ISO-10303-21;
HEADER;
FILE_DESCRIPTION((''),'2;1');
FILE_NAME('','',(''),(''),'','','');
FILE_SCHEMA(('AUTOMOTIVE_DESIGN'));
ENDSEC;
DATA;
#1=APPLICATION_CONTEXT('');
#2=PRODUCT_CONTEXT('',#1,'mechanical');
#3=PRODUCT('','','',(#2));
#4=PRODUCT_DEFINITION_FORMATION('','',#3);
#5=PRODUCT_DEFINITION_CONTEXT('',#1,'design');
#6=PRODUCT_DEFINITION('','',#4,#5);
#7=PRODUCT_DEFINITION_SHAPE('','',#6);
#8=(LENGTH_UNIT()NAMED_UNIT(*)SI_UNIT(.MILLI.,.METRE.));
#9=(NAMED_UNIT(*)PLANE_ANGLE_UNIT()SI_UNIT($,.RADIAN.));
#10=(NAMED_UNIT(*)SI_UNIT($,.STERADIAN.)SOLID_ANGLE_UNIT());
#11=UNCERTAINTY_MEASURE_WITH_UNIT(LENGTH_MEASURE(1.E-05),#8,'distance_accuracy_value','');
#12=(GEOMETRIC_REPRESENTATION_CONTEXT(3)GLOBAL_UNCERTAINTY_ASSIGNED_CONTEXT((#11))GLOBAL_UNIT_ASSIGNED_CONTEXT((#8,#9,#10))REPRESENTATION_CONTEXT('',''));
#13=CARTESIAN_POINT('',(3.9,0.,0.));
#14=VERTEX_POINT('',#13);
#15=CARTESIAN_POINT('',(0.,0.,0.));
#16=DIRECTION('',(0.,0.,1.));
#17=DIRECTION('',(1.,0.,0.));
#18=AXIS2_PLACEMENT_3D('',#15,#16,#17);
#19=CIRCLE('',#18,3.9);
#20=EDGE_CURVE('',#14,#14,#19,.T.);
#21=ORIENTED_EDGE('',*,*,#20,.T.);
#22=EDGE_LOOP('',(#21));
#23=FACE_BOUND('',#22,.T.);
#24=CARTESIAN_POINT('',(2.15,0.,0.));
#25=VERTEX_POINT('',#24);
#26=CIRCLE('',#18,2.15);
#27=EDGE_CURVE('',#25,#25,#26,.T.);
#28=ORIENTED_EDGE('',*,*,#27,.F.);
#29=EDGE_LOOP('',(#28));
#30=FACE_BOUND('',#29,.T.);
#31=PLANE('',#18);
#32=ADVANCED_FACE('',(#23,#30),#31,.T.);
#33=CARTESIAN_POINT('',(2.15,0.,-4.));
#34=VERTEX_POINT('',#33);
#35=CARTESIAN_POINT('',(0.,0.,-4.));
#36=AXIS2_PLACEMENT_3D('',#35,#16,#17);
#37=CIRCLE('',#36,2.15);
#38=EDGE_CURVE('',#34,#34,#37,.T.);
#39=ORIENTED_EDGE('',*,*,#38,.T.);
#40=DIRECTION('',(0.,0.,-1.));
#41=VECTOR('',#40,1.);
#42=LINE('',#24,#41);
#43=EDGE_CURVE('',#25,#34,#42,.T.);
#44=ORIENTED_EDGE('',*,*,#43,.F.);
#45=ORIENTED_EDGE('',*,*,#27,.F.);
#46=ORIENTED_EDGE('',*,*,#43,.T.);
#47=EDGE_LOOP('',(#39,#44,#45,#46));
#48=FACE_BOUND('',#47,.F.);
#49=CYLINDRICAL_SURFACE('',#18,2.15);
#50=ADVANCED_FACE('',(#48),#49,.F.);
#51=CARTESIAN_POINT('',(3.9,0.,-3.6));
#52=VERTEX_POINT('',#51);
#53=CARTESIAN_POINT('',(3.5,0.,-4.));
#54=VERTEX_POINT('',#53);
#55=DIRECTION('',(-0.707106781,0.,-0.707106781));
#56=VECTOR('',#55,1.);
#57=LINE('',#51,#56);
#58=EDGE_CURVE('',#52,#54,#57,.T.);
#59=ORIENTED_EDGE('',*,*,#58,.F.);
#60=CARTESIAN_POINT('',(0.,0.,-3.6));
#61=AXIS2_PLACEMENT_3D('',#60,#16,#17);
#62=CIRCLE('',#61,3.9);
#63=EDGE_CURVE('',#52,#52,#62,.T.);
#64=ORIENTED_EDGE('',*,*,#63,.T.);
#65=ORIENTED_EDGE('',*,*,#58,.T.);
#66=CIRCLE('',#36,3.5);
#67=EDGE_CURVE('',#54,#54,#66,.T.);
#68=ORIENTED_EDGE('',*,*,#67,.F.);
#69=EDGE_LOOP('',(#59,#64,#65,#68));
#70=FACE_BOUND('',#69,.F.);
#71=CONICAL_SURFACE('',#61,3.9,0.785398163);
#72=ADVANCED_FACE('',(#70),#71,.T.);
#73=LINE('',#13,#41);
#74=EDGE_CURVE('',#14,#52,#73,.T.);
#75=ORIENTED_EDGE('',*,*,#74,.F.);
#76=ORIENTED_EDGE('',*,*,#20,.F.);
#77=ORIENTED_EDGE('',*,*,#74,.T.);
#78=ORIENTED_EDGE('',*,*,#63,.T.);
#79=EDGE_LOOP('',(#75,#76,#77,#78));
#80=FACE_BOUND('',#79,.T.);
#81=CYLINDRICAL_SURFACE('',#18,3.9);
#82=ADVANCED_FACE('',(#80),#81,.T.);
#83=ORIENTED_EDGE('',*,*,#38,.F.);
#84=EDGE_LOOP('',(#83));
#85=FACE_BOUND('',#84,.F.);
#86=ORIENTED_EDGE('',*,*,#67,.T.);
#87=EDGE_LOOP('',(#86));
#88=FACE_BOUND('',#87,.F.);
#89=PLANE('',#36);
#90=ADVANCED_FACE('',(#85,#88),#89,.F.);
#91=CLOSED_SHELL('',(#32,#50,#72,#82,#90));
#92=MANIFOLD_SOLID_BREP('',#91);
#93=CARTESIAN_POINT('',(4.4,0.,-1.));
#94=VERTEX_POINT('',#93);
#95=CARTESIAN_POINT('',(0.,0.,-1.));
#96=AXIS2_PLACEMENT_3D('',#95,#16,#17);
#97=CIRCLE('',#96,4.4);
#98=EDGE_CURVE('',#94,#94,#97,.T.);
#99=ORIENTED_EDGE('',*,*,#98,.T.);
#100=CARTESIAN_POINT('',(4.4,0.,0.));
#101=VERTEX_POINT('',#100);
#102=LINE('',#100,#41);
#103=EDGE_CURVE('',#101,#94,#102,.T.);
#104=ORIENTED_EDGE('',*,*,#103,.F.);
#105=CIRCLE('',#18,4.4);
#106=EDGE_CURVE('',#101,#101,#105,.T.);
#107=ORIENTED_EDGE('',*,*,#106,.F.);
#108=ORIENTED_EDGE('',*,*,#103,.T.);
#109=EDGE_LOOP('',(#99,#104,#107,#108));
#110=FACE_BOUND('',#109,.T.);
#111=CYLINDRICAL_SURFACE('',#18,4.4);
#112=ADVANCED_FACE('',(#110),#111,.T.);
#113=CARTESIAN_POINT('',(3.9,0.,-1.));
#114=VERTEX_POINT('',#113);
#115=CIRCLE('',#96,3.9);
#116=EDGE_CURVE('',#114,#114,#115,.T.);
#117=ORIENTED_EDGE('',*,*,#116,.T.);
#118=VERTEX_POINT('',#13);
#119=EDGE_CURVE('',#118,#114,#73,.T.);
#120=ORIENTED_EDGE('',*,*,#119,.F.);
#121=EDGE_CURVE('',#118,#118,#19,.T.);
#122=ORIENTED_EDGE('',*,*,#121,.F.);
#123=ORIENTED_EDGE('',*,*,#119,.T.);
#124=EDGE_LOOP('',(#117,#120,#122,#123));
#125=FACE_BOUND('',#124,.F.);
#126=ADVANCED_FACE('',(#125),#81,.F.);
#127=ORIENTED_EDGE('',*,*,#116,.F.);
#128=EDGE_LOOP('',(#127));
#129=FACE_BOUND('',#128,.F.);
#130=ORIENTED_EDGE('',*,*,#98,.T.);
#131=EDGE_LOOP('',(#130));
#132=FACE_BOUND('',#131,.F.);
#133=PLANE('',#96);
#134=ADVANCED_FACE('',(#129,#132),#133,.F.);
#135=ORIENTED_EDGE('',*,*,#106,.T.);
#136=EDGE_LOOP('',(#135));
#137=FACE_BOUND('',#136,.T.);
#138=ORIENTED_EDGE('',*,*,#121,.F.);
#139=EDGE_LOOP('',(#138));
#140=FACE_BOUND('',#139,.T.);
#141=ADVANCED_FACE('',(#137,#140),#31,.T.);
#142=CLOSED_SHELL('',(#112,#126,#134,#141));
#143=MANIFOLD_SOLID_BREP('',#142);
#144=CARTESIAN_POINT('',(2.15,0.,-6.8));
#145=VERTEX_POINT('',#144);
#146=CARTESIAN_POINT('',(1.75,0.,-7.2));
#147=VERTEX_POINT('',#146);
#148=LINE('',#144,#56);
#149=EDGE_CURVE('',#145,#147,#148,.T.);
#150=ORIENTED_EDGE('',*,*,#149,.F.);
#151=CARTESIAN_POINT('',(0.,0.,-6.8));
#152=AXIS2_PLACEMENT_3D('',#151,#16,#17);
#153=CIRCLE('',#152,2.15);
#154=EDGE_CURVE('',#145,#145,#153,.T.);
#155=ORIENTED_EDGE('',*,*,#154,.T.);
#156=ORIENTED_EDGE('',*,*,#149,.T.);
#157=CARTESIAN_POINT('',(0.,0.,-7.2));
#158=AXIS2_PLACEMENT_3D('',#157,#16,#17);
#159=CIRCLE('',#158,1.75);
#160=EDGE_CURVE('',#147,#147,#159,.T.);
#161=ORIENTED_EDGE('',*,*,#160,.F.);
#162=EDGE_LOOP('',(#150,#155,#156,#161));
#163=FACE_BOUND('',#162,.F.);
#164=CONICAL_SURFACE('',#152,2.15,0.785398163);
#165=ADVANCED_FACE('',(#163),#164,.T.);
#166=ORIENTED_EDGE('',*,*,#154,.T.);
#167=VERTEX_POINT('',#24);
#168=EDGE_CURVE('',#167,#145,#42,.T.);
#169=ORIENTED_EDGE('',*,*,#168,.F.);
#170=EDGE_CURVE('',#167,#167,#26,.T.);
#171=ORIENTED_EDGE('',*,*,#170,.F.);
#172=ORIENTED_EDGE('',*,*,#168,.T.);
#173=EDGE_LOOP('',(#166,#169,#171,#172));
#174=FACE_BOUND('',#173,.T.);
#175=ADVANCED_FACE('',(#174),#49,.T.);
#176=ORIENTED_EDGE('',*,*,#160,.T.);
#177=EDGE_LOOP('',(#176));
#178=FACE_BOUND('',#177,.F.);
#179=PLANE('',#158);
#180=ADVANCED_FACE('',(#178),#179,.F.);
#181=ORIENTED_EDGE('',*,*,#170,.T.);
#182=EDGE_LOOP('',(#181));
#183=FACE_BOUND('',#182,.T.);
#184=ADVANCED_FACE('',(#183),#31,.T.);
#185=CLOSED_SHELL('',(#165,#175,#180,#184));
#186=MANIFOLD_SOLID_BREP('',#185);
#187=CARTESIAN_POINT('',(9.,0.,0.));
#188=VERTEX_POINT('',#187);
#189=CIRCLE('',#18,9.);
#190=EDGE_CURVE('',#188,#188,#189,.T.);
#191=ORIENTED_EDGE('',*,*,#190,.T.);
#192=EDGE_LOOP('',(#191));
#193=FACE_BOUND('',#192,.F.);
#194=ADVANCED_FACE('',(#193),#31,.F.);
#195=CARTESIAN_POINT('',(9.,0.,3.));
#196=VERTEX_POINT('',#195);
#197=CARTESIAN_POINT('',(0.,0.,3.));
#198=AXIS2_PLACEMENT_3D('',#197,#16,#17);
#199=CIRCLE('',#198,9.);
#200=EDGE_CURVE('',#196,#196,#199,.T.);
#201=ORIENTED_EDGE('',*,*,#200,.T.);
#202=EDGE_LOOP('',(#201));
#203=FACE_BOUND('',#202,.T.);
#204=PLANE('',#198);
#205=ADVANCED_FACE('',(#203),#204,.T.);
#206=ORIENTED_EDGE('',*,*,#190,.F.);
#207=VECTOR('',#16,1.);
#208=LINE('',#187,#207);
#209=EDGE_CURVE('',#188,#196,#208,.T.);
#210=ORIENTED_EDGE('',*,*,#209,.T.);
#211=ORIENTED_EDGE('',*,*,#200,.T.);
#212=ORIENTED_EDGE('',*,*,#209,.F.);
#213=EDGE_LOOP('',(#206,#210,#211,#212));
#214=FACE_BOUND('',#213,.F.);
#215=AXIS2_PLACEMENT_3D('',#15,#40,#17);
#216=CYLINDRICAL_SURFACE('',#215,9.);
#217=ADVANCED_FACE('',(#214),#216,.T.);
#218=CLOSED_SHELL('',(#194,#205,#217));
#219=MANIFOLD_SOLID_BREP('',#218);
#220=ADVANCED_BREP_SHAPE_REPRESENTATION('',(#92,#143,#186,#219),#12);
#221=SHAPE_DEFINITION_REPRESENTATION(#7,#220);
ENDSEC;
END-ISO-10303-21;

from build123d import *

# Parameters (mm, degrees)
F0_R      = 4.4
F0_R_2    = 3.9
F1_DEPTH  = 1
F0_R_3    = 2.15
F2_DEPTH  = 4
F3_DEPTH  = 7.2
F4_SIZE   = 0.4
F4_2_SIZE = 0.4
F0_R_4    = 9
F5_DEPTH  = 3


with BuildPart() as f1:
    # F0 (on Top) → F1 (new body)
    with BuildSketch(Plane.XY):
        Circle(F0_R)
        Circle(F0_R_2, mode=Mode.SUBTRACT)
    extrude(amount=-F1_DEPTH)


with BuildPart() as f2:
    # F0 (on Top) → F2 (new body)
    with BuildSketch(Plane.XY):
        Circle(F0_R_2)
        Circle(F0_R_3, mode=Mode.SUBTRACT)
    extrude(amount=-F2_DEPTH)

    # F4#2
    f4_2_edges = [f2.edges().sort_by_distance(p)[0] for p in [
        (-3.9, 0, -4),
    ]]
    chamfer(f4_2_edges, length=F4_2_SIZE)


with BuildPart() as f3:
    # F0 (on Top) → F3 (new body)
    with BuildSketch(Plane.XY):
        Circle(F0_R_3)
    extrude(amount=-F3_DEPTH)

    # F4
    f4_edges = [f3.edges().sort_by_distance(p)[0] for p in [
        (-2.15, 0, -7.2),
    ]]
    chamfer(f4_edges, length=F4_SIZE)


with BuildPart() as f5:
    # F0 (on Top) → F5 (new body)
    with BuildSketch(Plane.XY):
        Circle(F0_R_4)
        Circle(F0_R, mode=Mode.SUBTRACT)
        Circle(F0_R)
        Circle(F0_R_2, mode=Mode.SUBTRACT)
        Circle(F0_R_2)
        Circle(F0_R_3, mode=Mode.SUBTRACT)
        Circle(F0_R_3)
    extrude(amount=F5_DEPTH)


solid = Compound([f1.part, f2.part, f3.part, f5.part])
